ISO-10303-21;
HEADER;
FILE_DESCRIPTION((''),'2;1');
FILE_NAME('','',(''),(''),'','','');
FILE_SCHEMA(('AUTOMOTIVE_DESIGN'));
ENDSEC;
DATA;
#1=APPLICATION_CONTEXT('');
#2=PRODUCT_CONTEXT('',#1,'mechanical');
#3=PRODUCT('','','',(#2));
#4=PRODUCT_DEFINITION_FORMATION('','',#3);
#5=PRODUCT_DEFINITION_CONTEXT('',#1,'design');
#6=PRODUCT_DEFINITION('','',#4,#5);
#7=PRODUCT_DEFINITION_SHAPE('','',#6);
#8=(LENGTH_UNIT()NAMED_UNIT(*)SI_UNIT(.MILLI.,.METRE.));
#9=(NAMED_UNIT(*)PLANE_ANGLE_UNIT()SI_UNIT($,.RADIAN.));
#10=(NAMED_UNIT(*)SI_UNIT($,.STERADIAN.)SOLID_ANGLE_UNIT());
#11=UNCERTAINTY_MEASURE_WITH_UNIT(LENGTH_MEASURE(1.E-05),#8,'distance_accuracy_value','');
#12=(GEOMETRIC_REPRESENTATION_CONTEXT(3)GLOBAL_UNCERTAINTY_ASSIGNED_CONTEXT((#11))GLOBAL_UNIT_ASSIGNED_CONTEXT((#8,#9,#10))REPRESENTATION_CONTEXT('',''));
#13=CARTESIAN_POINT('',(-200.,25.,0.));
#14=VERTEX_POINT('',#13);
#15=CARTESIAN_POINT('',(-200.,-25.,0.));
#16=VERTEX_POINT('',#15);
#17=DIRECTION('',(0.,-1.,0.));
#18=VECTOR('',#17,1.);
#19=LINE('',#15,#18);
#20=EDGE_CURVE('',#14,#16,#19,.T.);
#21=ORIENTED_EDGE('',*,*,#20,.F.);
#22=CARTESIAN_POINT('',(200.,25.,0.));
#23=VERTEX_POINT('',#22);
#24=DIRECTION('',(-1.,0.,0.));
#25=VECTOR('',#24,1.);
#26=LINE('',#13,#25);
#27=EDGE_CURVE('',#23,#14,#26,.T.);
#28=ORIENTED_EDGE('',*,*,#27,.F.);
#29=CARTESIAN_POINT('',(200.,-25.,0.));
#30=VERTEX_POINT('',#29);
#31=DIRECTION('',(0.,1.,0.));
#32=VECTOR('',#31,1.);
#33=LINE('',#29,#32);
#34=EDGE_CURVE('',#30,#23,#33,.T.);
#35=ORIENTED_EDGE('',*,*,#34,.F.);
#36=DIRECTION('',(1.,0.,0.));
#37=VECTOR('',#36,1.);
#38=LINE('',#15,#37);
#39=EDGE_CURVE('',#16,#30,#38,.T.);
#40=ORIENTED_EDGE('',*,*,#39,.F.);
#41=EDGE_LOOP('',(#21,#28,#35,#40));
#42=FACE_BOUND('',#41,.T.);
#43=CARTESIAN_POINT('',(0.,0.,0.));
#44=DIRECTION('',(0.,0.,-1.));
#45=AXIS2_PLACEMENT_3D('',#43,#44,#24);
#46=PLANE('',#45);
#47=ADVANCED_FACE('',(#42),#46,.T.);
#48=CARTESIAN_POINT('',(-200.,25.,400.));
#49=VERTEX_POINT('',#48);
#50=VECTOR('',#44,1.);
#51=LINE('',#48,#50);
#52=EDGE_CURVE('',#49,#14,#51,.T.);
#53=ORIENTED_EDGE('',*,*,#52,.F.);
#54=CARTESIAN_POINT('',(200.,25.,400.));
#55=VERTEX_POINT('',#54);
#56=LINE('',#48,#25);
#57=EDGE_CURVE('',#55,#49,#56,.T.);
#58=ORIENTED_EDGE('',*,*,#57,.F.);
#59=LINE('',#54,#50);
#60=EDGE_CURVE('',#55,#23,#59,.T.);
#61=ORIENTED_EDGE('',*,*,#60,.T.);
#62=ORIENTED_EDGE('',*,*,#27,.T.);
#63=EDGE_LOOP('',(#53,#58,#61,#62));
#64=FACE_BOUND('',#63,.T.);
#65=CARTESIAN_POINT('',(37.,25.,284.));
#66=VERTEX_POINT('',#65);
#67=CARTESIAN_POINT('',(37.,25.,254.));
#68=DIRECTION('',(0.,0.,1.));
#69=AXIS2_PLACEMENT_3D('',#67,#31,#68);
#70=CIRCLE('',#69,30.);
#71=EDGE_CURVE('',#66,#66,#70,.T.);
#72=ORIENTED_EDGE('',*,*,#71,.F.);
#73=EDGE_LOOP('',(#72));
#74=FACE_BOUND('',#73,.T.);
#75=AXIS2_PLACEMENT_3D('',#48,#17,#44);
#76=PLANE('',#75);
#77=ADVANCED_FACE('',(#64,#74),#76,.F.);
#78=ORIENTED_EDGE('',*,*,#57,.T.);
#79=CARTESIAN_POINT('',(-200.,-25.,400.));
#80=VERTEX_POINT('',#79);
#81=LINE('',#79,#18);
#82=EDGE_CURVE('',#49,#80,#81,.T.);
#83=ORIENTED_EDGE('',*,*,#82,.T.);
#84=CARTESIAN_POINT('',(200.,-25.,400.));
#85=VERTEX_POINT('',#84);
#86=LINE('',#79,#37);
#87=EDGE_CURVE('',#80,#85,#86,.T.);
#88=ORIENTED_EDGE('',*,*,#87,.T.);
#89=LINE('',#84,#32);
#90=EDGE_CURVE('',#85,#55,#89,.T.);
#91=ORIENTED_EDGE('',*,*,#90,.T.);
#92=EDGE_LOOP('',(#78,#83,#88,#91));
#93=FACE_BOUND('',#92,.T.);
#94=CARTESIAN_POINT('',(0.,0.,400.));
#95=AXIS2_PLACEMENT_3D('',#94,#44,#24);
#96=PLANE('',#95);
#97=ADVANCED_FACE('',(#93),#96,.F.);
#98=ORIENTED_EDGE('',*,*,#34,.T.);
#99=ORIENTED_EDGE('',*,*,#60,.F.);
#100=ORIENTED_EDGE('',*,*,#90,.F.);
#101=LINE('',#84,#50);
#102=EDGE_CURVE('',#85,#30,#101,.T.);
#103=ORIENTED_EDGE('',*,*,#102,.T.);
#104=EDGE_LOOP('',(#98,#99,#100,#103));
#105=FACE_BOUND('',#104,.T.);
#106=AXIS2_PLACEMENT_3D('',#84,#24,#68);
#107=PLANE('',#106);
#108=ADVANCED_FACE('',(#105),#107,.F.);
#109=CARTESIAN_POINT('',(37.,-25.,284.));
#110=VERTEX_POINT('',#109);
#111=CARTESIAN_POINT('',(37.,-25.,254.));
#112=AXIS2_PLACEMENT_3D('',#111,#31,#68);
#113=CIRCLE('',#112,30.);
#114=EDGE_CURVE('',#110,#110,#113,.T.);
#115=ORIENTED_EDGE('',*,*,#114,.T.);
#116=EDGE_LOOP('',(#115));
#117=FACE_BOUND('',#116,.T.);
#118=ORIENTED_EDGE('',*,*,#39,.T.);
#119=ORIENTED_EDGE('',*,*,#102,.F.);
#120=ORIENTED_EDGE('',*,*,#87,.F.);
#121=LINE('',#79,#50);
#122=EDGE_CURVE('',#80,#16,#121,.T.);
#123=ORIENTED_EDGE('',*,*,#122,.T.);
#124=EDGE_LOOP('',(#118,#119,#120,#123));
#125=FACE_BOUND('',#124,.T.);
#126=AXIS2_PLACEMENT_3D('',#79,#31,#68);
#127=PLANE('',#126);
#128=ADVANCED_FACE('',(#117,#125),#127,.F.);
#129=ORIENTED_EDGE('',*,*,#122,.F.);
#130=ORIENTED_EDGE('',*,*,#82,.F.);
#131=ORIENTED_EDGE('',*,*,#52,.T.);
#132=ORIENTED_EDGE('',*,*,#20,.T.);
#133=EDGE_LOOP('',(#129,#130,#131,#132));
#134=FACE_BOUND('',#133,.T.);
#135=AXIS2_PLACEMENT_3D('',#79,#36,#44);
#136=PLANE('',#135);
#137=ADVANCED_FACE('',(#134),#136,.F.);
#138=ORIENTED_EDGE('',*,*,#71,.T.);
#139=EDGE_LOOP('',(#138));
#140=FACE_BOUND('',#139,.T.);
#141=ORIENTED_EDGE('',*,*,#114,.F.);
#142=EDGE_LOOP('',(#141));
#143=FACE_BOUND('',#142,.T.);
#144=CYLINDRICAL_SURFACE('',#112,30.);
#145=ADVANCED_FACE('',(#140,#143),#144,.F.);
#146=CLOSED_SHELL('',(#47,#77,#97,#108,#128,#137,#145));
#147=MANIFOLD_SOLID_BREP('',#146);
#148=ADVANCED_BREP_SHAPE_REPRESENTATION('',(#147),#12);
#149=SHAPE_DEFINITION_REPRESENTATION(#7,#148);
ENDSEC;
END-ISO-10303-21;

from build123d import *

# Parameters (mm, degrees)
SKETCH2_W           = 400
SKETCH2_H           = 50
BOSS_EXTRUDE1_DEPTH = 400
SKETCH3_R           = 30
CUT_EXTRUDE1_DEPTH  = 451


with BuildPart() as part:
    # Sketch2 → Boss-Extrude1 (new body)
    with BuildSketch(Plane.XY):
        Rectangle(SKETCH2_W, SKETCH2_H)
    extrude(amount=BOSS_EXTRUDE1_DEPTH)

    # Sketch3 → Cut-Extrude1 (cut, through all)
    with BuildSketch(Plane(origin=(0, 25, 0), x_dir=(1, 0, 0), z_dir=(0, 1, 0))):
        with Locations(Location((37, -254, 0), (0, 0, 270))):
            Circle(SKETCH3_R)
    extrude(amount=-CUT_EXTRUDE1_DEPTH, mode=Mode.SUBTRACT)


solid = part.part
